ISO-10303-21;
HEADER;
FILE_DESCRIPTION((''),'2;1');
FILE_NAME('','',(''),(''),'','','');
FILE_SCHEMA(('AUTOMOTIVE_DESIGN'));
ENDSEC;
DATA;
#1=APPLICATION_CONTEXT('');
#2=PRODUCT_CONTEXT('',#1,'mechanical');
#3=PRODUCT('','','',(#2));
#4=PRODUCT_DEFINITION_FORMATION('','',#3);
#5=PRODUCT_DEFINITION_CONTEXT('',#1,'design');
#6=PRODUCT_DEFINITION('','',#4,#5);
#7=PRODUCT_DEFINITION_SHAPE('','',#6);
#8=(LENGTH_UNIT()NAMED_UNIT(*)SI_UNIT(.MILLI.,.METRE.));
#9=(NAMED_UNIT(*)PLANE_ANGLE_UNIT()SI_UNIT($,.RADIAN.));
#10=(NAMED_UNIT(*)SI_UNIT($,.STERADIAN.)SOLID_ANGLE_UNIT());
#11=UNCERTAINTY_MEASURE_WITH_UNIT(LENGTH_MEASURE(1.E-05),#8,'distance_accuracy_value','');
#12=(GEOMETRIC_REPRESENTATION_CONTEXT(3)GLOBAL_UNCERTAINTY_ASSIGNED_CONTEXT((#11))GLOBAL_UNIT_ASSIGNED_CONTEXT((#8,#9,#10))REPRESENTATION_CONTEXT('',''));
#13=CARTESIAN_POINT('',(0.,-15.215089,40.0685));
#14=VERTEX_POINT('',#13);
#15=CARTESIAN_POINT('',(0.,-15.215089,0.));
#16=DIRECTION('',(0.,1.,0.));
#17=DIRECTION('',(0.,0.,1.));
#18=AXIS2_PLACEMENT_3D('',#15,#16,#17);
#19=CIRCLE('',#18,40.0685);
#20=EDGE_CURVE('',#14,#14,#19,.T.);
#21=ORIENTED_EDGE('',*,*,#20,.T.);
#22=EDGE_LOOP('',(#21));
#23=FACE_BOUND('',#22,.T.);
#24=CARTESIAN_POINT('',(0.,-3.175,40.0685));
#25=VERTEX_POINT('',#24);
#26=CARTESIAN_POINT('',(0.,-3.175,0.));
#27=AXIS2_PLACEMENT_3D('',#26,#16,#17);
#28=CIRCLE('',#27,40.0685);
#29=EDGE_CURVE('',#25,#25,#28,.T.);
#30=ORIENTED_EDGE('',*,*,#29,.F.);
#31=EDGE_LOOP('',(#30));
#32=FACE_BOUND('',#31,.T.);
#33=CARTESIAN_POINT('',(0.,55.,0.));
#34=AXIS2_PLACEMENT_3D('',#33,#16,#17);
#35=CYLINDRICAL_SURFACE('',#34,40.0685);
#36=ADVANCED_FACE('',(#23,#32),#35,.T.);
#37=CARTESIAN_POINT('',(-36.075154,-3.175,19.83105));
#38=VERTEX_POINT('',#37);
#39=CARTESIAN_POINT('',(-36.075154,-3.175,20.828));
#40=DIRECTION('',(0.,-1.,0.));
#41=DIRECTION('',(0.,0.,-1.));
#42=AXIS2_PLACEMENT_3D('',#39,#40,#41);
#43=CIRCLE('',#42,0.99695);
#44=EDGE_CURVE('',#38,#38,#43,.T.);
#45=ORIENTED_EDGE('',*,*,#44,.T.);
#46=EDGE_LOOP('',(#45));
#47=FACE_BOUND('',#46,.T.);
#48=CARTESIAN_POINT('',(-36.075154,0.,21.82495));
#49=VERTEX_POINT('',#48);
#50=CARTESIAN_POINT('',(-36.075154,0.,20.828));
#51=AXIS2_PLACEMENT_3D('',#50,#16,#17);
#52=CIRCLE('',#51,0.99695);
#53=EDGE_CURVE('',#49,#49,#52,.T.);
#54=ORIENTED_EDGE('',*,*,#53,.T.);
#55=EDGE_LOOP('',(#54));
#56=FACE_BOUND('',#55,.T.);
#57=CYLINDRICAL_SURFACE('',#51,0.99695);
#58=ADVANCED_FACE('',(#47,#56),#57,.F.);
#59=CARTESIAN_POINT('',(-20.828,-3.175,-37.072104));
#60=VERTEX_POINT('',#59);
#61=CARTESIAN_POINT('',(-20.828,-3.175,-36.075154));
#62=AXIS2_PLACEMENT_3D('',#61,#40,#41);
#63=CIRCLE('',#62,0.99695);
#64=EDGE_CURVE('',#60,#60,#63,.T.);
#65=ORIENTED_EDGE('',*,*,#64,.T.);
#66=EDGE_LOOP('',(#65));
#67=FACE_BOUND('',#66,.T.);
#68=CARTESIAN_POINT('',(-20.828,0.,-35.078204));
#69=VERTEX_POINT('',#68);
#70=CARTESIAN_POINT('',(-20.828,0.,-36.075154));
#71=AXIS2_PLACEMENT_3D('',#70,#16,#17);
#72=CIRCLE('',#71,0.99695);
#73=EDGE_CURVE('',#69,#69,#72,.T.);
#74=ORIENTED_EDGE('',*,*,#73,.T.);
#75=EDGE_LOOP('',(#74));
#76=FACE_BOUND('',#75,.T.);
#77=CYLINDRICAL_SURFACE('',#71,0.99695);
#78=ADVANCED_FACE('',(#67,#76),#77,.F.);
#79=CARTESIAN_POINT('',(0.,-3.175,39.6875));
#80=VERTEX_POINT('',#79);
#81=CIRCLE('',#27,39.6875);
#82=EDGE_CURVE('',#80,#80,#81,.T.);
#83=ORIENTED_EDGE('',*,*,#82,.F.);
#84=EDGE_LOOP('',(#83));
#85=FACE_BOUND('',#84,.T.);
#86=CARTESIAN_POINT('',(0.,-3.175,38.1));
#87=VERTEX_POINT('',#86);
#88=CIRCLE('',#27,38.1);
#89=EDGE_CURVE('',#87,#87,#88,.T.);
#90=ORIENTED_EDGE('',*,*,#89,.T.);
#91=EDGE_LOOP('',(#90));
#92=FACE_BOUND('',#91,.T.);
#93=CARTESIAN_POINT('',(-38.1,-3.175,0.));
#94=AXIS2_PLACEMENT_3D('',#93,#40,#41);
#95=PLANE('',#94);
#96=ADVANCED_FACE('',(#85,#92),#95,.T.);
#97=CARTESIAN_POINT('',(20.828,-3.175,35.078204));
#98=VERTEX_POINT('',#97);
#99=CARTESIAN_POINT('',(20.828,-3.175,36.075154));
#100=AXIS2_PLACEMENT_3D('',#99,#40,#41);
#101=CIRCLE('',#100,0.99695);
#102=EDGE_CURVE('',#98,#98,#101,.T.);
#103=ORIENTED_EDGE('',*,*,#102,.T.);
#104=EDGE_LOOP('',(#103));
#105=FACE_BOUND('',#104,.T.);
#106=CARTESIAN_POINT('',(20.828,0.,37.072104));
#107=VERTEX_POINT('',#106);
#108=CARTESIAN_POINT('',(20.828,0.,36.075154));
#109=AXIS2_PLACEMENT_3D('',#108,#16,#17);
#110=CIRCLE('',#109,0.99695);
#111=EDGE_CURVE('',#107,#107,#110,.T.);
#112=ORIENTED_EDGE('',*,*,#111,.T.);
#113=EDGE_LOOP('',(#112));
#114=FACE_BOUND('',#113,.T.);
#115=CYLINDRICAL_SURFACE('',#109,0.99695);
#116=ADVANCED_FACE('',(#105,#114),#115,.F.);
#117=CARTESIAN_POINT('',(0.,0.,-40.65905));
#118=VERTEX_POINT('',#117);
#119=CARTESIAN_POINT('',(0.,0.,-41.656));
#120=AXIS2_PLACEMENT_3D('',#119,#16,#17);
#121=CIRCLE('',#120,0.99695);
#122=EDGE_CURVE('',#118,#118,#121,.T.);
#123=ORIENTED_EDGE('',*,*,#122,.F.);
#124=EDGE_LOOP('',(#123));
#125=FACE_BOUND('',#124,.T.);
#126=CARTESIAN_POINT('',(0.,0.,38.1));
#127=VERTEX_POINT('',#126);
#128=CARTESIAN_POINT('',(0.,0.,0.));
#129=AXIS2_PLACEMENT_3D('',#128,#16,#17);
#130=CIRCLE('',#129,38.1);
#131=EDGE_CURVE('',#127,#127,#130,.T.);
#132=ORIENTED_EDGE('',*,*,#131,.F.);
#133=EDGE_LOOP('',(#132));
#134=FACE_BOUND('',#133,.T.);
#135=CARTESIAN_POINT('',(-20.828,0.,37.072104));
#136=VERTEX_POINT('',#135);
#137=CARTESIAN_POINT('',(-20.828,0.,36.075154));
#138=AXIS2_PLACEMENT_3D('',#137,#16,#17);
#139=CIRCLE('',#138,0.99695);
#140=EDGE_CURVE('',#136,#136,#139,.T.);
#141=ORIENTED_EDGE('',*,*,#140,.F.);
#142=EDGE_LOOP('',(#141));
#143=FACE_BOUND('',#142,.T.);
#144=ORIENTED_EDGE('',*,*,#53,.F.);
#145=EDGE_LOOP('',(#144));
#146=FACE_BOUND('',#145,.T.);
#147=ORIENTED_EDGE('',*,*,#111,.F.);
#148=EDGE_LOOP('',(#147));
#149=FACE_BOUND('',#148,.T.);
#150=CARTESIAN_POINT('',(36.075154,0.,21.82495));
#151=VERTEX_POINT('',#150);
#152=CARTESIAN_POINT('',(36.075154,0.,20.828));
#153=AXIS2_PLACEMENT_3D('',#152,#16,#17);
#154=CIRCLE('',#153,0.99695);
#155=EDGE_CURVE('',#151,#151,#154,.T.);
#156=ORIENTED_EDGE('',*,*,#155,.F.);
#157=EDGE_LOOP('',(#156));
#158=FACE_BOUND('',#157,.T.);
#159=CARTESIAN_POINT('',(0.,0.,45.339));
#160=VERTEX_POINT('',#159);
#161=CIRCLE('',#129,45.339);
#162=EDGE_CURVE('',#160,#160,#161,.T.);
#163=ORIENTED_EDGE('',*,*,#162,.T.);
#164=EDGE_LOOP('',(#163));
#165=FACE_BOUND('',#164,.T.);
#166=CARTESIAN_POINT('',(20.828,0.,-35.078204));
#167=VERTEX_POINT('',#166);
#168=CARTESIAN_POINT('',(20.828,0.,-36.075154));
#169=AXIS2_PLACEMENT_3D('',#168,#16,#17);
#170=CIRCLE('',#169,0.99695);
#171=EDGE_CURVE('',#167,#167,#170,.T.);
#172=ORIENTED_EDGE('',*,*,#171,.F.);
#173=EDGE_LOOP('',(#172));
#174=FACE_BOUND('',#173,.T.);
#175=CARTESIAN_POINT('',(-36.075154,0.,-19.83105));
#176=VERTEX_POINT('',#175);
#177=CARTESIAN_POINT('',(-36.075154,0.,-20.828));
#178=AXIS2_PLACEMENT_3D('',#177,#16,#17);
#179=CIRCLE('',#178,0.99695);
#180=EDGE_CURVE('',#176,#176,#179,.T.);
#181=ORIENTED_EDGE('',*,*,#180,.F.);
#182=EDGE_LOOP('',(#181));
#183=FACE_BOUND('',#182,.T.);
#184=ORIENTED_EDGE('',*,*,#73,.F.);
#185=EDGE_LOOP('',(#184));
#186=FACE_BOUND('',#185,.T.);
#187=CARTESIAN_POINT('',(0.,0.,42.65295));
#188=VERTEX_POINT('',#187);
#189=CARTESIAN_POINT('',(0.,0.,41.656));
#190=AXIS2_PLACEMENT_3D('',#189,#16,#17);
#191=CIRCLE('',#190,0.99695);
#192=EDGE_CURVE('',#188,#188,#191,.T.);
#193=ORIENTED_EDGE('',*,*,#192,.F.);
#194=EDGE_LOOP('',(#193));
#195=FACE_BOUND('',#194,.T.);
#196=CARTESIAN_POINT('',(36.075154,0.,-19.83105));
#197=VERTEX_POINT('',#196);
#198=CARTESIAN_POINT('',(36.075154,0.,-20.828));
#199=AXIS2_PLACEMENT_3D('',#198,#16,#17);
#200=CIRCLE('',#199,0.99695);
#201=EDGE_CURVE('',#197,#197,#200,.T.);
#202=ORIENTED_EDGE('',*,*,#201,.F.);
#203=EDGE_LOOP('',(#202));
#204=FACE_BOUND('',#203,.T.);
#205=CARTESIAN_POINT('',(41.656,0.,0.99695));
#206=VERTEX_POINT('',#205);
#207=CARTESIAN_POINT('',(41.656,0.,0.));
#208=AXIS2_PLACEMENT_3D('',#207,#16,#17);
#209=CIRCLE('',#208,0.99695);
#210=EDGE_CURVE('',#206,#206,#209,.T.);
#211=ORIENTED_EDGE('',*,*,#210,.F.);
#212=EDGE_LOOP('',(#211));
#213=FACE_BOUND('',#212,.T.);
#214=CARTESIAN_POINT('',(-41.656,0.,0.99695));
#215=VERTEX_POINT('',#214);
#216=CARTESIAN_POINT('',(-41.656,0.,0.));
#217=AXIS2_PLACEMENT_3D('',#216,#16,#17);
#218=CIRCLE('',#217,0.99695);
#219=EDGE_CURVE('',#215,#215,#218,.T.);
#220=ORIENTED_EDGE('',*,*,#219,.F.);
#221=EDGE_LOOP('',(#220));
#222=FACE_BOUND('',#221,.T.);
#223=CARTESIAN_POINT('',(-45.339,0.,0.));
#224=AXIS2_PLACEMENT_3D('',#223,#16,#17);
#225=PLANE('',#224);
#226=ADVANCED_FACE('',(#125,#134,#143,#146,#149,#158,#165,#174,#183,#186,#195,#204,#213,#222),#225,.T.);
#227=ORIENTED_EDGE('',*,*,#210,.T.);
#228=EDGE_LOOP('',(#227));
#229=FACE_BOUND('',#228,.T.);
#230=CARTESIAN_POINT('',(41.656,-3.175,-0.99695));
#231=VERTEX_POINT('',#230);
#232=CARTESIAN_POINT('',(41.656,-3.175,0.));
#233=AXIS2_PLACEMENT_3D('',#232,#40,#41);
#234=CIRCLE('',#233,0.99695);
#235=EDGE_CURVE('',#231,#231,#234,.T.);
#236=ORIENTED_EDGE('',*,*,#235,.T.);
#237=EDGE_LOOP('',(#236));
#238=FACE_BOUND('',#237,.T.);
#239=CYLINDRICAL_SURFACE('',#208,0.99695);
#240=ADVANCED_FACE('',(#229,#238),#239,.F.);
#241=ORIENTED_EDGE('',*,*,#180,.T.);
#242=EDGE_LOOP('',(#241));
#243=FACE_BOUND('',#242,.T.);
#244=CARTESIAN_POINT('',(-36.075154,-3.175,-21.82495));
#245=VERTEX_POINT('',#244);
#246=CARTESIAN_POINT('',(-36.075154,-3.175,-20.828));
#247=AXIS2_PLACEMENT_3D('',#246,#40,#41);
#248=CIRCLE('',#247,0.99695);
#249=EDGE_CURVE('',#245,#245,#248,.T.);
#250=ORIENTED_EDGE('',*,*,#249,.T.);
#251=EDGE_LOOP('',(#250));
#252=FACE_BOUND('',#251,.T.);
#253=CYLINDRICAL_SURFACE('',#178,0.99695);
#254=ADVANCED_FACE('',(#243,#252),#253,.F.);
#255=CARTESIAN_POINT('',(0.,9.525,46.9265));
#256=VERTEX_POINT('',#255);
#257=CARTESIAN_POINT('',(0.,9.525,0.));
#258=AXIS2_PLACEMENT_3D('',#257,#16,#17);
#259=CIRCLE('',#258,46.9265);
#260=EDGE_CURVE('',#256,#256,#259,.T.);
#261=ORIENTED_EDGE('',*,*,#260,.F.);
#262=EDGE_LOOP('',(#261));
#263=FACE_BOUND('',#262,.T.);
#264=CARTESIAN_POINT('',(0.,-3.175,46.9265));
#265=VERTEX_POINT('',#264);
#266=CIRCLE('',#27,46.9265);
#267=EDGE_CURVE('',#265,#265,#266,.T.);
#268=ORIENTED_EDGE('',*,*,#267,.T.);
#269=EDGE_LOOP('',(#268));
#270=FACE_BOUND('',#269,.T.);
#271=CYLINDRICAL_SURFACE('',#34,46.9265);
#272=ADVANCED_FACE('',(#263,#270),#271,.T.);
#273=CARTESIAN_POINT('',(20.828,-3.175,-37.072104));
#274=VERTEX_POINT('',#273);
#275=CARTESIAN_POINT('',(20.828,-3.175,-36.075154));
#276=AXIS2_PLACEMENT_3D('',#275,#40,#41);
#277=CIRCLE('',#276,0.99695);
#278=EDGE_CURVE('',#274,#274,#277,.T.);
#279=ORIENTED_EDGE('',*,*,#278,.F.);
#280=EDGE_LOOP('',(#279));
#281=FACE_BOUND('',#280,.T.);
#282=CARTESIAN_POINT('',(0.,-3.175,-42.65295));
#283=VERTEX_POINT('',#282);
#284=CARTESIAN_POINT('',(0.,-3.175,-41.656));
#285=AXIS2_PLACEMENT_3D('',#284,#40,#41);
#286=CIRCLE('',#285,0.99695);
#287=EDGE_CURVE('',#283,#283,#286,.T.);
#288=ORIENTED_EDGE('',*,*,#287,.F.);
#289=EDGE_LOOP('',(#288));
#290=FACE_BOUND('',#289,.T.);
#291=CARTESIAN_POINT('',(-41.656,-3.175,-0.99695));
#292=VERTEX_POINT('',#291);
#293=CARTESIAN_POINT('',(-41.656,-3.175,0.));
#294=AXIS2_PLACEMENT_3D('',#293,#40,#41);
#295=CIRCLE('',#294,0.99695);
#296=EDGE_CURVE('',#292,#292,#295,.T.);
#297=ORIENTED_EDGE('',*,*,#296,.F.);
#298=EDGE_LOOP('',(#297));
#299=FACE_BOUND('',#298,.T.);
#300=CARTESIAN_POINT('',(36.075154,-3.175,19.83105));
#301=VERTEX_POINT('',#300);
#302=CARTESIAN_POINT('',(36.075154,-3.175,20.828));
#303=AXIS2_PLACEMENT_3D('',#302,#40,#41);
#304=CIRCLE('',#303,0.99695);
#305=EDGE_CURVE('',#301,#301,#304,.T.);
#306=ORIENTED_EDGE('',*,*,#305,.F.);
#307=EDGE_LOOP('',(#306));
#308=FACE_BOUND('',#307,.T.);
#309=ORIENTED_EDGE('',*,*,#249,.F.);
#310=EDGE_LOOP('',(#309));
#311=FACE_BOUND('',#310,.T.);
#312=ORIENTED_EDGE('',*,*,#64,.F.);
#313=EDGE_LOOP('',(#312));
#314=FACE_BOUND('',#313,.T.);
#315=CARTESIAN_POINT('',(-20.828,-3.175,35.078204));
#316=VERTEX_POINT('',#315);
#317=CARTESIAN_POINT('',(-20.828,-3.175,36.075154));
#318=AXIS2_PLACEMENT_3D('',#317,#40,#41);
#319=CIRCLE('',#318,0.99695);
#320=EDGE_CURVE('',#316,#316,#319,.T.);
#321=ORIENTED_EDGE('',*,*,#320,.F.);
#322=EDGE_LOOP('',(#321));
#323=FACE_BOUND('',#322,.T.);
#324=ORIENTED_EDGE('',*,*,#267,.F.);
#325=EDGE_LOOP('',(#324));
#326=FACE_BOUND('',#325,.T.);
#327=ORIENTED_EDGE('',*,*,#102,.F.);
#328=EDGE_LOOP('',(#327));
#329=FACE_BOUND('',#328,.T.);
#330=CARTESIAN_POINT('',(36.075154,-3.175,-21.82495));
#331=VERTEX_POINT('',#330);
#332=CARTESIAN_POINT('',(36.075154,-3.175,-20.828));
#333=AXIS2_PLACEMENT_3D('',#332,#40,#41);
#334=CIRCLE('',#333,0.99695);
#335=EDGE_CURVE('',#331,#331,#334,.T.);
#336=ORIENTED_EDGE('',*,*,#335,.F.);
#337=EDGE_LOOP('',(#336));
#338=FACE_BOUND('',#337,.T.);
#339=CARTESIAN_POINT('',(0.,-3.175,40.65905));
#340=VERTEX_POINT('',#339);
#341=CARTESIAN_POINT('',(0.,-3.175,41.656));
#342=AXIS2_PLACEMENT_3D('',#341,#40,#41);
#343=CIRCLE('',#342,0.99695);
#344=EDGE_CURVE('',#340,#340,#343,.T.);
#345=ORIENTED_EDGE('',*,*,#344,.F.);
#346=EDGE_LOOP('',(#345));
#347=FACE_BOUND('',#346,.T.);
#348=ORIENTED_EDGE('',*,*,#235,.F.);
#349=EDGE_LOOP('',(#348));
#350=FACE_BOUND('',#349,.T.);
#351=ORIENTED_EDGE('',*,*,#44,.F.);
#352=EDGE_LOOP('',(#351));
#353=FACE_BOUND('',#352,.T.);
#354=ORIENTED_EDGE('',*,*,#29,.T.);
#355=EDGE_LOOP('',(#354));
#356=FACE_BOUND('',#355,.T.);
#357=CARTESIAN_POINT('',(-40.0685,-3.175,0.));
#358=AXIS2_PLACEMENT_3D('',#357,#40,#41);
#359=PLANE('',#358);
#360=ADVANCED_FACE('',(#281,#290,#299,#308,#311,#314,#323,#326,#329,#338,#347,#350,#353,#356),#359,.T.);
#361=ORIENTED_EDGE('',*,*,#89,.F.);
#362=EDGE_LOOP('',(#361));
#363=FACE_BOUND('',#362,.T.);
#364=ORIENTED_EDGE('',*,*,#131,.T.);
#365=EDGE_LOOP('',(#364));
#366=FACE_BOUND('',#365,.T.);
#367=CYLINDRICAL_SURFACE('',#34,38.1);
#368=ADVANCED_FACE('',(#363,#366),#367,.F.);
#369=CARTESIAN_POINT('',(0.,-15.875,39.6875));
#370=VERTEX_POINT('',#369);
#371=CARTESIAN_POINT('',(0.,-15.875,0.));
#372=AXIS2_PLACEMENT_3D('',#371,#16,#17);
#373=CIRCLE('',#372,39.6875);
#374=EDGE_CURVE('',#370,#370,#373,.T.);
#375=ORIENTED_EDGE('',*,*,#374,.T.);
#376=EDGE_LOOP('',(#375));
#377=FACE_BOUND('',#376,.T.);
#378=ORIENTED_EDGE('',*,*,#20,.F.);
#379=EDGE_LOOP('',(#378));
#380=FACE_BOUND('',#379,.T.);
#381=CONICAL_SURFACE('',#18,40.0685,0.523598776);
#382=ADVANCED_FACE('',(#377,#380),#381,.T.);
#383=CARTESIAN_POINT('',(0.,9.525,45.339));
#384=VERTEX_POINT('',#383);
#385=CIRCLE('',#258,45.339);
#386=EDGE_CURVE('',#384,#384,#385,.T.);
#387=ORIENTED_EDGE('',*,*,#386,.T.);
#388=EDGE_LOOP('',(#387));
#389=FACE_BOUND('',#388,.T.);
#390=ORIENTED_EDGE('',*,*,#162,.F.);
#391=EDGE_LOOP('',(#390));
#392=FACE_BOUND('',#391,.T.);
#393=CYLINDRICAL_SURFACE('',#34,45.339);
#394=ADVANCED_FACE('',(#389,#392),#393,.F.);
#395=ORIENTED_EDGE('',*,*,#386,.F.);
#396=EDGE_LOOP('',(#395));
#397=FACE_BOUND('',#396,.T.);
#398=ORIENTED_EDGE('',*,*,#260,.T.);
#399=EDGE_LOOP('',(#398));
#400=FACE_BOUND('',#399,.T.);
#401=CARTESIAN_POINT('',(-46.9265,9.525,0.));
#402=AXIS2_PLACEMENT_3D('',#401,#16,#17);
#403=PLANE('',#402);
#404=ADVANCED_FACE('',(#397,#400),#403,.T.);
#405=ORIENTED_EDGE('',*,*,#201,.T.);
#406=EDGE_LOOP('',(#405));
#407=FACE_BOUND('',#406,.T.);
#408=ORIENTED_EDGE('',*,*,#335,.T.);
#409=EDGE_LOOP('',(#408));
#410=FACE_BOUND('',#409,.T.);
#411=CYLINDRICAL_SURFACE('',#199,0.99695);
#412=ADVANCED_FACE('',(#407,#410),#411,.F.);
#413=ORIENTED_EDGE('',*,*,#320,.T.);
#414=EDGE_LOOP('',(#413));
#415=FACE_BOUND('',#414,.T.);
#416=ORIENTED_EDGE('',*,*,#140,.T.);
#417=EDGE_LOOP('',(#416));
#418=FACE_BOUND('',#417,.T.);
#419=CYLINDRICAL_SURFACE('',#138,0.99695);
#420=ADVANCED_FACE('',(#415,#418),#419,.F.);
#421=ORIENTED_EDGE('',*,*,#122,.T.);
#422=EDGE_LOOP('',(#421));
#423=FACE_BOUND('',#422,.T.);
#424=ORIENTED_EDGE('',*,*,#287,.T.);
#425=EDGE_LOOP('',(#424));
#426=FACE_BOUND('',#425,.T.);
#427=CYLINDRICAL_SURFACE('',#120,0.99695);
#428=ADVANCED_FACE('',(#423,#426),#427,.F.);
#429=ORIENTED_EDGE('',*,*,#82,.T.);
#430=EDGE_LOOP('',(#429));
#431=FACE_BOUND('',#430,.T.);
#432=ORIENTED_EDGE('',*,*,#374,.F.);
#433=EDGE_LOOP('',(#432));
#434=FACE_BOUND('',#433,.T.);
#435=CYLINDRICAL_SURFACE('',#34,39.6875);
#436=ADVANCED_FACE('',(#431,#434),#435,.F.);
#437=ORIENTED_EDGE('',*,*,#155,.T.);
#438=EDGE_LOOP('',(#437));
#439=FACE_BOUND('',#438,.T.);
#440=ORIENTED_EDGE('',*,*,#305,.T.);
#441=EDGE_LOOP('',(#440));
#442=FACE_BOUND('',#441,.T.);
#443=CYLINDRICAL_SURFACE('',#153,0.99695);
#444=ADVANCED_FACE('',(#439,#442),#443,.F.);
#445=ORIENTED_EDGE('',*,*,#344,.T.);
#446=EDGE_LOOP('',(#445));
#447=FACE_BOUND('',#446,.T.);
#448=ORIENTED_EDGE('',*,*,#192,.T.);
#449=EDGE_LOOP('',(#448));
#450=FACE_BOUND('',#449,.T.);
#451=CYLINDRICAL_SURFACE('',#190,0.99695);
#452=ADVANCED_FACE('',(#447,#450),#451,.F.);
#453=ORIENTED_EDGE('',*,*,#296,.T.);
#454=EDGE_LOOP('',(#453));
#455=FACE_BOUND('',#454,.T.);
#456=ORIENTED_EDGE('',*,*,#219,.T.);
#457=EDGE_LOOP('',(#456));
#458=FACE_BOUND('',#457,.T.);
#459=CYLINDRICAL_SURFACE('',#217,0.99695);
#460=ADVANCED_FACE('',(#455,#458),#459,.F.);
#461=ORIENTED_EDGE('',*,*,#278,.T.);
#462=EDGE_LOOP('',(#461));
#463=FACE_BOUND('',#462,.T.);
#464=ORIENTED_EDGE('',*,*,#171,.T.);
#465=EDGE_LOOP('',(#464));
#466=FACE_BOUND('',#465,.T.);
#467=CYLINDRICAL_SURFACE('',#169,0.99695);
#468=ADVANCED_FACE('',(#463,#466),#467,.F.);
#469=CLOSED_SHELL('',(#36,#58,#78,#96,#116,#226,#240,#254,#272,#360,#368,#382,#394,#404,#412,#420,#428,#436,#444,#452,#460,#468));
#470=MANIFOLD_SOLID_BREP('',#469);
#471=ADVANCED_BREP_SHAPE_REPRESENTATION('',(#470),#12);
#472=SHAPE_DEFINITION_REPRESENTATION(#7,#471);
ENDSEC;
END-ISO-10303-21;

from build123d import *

# Parameters (mm, degrees)
SCREW_HOLES_COUNT = 12


with BuildPart() as part:
    # Cross Section → Main (revolve)
    with BuildSketch(Plane.XY):
        Polygon((-38.1, 0), (-38.1, -3.175), (-39.6875, -3.175), (-39.6875, -15.875), (-40.0685, -15.215088642), (-40.0685, -3.175), (-46.9265, -3.175), (-46.9265, 9.525), (-45.339, 9.525), (-45.339, 0), align=None)
    revolve(axis=Axis((0, 55, 0), (0, -1, 0)))

    # Sketch7 → #3-48 Tapped Hole1 (revolve, cut)
    with BuildSketch(Plane(origin=(-41.656, 0, 0), x_dir=(0, 0, 1), z_dir=(1, 0, 0))):
        Polygon((0, 0), (0, 3.901027994), (0.99695, 3.302), (0.99695, 0), align=None)
    f_3_48_tapped_hole1 = revolve(axis=Axis((-41.656, 6.35, 0), (0, -1, 0)), mode=Mode.SUBTRACT)

    # Screw Holes: #3-48 Tapped Hole1 ×12 about axis
    screw_holes_axis = Axis((0, 0, 0), (0, 1, 0))
    for i in range(1, SCREW_HOLES_COUNT):
        add(f_3_48_tapped_hole1.rotate(screw_holes_axis, i * 360 / SCREW_HOLES_COUNT), mode=Mode.SUBTRACT)


solid = part.part
